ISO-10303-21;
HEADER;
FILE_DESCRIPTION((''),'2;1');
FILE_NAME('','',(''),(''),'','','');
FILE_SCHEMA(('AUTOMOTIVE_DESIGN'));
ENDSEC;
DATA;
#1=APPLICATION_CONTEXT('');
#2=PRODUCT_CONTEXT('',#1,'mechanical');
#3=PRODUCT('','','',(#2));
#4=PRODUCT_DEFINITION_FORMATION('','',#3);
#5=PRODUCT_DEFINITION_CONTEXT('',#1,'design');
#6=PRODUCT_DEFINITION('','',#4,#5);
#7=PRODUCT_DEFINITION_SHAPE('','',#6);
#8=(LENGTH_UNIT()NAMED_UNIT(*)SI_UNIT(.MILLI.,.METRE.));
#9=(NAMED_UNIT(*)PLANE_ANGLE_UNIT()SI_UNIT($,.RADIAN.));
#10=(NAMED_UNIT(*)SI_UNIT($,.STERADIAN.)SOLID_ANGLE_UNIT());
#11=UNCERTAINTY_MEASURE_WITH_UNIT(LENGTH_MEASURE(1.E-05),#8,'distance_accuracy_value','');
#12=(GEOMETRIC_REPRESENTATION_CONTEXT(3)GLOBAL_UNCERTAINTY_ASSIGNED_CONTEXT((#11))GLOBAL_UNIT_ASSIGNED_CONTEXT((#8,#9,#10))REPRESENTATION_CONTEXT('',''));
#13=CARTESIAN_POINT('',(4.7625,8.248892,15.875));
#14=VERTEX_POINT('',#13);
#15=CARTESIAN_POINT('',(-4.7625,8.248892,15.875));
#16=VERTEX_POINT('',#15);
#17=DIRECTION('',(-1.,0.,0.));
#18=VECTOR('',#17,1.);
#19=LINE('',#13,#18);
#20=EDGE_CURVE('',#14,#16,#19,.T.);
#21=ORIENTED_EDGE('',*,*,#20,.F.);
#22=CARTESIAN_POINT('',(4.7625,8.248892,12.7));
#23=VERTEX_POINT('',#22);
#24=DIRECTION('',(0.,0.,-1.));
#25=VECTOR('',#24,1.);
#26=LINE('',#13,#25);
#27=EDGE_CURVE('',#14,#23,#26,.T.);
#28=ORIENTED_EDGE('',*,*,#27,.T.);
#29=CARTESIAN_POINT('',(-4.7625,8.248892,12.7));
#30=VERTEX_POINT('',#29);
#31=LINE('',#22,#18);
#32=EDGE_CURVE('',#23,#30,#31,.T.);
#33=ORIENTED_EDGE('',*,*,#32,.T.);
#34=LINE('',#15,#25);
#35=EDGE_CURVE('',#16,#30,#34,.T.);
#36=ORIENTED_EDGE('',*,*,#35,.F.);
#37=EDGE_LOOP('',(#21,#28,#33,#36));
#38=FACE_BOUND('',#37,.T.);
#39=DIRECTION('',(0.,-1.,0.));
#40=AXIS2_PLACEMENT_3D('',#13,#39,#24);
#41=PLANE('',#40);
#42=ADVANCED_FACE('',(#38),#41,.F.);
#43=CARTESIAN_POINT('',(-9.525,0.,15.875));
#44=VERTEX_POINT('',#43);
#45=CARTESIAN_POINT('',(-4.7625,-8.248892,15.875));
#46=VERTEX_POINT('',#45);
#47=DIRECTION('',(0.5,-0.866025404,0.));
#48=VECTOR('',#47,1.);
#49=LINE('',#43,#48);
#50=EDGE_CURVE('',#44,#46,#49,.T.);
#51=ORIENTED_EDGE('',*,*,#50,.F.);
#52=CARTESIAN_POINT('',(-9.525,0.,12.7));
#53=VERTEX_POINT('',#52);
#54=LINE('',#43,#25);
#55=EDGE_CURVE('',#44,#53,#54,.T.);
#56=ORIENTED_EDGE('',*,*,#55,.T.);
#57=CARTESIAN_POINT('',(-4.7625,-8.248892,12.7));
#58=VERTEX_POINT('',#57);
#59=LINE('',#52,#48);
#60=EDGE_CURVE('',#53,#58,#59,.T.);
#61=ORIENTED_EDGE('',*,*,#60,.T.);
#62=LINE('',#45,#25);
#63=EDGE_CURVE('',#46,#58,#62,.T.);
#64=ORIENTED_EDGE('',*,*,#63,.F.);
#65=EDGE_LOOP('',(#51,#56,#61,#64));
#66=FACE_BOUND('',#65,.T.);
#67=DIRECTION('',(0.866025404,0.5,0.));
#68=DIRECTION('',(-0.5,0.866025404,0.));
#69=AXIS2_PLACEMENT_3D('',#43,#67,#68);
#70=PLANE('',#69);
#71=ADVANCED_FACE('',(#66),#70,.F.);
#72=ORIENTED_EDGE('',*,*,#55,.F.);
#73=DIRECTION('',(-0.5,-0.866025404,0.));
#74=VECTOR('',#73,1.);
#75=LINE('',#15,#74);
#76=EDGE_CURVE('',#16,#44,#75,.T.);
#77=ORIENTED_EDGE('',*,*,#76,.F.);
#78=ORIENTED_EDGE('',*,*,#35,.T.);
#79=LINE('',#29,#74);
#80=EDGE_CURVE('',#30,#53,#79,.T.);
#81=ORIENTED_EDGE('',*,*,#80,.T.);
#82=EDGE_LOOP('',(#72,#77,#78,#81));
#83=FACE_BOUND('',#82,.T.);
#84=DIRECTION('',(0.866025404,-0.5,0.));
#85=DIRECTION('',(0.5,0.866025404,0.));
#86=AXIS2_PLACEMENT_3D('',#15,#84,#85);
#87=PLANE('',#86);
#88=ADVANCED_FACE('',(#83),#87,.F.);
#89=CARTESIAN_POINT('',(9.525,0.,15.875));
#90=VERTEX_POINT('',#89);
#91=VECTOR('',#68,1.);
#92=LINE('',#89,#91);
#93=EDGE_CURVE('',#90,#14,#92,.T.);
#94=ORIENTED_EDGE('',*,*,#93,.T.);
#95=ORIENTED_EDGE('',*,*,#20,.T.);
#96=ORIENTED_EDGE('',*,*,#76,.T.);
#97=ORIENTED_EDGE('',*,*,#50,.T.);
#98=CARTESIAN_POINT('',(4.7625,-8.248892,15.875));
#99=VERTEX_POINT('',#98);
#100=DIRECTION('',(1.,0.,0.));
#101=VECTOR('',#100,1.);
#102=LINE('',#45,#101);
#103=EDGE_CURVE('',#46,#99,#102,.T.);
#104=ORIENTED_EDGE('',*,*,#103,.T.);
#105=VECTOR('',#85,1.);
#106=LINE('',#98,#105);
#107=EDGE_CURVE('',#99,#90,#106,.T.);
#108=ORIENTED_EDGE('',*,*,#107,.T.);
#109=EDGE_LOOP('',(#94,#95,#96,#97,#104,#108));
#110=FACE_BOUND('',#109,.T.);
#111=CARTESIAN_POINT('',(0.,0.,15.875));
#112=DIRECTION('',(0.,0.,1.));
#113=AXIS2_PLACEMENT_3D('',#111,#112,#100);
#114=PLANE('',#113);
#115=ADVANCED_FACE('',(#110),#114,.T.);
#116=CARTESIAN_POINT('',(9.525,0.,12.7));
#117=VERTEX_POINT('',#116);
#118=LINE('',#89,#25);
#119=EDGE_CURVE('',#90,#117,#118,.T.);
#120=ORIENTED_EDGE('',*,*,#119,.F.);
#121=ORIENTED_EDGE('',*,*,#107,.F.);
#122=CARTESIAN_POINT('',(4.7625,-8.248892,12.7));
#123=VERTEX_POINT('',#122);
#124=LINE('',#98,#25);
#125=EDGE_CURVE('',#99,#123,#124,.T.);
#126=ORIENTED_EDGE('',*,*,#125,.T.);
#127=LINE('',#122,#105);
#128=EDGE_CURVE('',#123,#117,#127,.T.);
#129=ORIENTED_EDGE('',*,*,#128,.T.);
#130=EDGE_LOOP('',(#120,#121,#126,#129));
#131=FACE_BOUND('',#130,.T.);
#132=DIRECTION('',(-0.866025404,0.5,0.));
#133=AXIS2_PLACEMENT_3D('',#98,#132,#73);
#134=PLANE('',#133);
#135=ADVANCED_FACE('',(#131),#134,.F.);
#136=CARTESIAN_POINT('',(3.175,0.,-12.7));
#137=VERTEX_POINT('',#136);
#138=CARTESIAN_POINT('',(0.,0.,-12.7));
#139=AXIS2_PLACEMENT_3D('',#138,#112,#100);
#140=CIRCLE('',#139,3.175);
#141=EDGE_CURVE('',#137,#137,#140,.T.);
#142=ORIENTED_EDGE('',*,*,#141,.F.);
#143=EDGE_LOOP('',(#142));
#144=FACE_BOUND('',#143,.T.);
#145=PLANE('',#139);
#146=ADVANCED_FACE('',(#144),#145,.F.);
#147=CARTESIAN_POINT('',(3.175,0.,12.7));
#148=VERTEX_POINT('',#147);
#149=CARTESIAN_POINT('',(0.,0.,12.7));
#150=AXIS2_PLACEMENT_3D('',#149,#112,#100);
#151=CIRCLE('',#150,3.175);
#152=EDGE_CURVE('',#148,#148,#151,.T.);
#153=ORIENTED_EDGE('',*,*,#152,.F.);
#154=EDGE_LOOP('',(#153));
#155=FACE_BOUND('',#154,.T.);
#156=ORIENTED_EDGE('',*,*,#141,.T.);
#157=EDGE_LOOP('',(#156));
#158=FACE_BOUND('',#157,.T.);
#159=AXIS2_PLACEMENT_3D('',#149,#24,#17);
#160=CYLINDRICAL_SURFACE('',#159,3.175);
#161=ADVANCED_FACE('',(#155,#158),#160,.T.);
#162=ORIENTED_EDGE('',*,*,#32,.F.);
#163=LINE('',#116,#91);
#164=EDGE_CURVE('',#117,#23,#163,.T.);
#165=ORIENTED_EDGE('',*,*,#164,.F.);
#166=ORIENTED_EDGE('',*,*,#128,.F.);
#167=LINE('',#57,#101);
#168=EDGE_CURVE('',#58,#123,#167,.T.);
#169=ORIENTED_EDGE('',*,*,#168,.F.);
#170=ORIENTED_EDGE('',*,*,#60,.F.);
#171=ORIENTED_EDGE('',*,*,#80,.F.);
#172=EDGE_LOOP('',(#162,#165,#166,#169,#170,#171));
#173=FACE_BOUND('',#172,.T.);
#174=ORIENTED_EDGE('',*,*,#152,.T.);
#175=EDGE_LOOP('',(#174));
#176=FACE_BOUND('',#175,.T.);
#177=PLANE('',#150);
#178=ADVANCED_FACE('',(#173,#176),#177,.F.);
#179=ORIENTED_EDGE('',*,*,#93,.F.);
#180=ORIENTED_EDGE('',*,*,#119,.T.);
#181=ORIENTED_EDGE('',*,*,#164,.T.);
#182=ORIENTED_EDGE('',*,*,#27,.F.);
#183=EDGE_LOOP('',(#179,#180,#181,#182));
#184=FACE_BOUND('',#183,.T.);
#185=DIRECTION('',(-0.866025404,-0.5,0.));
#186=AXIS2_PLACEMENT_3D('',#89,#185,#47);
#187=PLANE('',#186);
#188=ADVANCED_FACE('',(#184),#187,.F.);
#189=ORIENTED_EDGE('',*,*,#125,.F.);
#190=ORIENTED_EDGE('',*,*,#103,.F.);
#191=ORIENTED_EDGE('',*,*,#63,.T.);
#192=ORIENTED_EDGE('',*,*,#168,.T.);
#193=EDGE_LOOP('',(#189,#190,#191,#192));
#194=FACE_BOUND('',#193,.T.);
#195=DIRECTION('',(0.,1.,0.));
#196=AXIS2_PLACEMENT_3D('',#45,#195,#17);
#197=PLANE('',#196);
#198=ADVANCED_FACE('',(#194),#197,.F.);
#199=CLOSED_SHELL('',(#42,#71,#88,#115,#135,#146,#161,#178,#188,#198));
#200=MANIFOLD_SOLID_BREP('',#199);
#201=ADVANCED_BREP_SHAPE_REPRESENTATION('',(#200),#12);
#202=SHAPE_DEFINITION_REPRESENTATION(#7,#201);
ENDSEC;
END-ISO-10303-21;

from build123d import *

# Parameters (mm, degrees)
SKETCH1_R           = 3.175
BOSS_EXTRUDE1_DEPTH = 12.7
BOSS_EXTRUDE3_DEPTH = 3.175


with BuildPart() as part:
    # Sketch1 → Boss-Extrude1 (new, symmetric)
    with BuildSketch(Plane.XY):
        Circle(SKETCH1_R)
    extrude(amount=BOSS_EXTRUDE1_DEPTH, both=True)

    # Sketch2 → Boss-Extrude3 (add)
    with BuildSketch(Plane.XY.offset(12.7)):
        Polygon((9.525, 0), (4.7625, 8.248891971), (-4.7625, 8.248891971), (-9.525, 0), (-4.7625, -8.248891971), (4.7625, -8.248891971), align=None)
    extrude(amount=BOSS_EXTRUDE3_DEPTH)


solid = part.part
